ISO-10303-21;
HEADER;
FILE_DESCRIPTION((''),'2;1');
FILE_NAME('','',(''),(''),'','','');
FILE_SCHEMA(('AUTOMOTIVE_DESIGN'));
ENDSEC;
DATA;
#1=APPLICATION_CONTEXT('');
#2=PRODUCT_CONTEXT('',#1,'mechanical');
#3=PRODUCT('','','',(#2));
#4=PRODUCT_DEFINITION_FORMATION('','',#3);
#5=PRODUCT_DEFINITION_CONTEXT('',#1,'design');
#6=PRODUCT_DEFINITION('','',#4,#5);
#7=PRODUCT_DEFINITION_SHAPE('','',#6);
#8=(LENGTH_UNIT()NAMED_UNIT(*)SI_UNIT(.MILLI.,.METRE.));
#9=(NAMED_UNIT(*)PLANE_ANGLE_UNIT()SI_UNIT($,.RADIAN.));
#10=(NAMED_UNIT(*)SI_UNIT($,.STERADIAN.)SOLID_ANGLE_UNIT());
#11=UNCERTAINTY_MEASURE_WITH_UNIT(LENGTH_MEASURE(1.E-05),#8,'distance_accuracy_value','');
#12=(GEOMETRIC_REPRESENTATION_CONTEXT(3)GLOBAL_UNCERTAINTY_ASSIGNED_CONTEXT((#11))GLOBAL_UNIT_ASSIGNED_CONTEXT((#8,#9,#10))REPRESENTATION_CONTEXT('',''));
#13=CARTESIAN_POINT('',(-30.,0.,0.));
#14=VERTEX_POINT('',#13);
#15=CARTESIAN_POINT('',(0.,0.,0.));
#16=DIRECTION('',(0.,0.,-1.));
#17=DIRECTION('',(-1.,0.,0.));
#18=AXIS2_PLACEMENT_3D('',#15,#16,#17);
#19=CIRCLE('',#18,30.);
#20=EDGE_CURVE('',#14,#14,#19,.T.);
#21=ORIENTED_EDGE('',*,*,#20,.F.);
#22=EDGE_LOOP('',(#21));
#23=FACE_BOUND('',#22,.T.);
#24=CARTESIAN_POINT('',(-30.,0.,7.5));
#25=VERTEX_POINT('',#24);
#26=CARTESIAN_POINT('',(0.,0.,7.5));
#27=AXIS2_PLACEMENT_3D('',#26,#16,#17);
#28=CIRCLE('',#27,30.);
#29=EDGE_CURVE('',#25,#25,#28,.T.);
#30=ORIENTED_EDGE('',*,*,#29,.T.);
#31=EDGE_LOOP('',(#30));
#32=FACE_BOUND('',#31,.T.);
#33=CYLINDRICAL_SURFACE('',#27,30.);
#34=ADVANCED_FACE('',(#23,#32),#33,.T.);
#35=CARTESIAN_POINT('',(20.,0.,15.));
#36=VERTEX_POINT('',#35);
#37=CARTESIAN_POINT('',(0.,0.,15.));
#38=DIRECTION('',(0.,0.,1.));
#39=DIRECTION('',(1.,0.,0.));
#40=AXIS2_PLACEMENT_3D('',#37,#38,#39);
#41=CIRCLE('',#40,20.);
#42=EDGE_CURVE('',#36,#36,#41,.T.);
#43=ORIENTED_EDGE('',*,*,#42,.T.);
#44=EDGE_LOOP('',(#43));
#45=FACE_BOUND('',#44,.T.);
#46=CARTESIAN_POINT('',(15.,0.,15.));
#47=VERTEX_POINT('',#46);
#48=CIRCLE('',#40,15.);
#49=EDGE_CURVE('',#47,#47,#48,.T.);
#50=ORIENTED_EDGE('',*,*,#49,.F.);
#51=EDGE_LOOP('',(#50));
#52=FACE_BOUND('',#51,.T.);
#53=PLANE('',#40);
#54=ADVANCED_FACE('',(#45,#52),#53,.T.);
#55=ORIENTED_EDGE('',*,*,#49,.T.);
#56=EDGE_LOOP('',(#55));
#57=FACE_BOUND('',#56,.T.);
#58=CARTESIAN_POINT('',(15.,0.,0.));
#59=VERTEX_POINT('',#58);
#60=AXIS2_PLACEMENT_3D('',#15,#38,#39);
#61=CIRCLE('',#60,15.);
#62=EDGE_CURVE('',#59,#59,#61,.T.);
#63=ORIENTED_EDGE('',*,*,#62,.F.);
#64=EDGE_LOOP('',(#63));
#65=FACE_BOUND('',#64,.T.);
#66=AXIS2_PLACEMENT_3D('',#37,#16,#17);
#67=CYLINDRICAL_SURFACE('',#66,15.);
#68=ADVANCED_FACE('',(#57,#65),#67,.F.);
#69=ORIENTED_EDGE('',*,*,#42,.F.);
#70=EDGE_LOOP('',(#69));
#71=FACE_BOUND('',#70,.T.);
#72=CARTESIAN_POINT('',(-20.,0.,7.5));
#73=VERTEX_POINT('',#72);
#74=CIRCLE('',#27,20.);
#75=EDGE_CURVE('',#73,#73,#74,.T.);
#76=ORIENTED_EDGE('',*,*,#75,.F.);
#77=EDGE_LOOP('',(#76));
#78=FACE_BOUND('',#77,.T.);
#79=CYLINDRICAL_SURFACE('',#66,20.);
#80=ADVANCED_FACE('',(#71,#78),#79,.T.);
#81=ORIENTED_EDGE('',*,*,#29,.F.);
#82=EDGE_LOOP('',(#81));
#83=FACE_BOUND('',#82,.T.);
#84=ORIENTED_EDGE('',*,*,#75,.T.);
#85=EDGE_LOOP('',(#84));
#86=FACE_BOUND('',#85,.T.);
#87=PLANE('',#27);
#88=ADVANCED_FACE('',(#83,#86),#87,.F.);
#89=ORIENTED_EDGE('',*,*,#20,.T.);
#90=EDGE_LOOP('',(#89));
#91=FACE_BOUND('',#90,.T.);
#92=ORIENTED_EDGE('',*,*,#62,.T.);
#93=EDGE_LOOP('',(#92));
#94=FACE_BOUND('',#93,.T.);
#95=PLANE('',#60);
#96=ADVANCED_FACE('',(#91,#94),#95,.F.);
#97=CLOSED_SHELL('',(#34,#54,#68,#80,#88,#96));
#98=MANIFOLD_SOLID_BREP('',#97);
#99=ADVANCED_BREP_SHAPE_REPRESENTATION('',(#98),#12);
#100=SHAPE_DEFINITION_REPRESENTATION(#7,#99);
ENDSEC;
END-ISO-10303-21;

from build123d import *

# Parameters (mm, degrees)
SKETCH1_R           = 20
SKETCH1_R_2         = 15
BOSS_EXTRUDE1_DEPTH = 15
SKETCH2_R           = 30
SKETCH2_R_2         = 20
BOSS_EXTRUDE2_DEPTH = 7.5


with BuildPart() as part:
    # Sketch1 → Boss-Extrude1 (new body)
    with BuildSketch(Plane.XY):
        Circle(SKETCH1_R)
        Circle(SKETCH1_R_2, mode=Mode.SUBTRACT)
    extrude(amount=BOSS_EXTRUDE1_DEPTH)

    # Sketch2 → Boss-Extrude2 (add)
    with BuildSketch(Plane(origin=(0, 0, 0), x_dir=(-1, 0, 0), z_dir=(0, 0, -1))):
        Circle(SKETCH2_R)
        Circle(SKETCH2_R_2, mode=Mode.SUBTRACT)
    extrude(amount=-BOSS_EXTRUDE2_DEPTH)


solid = part.part
